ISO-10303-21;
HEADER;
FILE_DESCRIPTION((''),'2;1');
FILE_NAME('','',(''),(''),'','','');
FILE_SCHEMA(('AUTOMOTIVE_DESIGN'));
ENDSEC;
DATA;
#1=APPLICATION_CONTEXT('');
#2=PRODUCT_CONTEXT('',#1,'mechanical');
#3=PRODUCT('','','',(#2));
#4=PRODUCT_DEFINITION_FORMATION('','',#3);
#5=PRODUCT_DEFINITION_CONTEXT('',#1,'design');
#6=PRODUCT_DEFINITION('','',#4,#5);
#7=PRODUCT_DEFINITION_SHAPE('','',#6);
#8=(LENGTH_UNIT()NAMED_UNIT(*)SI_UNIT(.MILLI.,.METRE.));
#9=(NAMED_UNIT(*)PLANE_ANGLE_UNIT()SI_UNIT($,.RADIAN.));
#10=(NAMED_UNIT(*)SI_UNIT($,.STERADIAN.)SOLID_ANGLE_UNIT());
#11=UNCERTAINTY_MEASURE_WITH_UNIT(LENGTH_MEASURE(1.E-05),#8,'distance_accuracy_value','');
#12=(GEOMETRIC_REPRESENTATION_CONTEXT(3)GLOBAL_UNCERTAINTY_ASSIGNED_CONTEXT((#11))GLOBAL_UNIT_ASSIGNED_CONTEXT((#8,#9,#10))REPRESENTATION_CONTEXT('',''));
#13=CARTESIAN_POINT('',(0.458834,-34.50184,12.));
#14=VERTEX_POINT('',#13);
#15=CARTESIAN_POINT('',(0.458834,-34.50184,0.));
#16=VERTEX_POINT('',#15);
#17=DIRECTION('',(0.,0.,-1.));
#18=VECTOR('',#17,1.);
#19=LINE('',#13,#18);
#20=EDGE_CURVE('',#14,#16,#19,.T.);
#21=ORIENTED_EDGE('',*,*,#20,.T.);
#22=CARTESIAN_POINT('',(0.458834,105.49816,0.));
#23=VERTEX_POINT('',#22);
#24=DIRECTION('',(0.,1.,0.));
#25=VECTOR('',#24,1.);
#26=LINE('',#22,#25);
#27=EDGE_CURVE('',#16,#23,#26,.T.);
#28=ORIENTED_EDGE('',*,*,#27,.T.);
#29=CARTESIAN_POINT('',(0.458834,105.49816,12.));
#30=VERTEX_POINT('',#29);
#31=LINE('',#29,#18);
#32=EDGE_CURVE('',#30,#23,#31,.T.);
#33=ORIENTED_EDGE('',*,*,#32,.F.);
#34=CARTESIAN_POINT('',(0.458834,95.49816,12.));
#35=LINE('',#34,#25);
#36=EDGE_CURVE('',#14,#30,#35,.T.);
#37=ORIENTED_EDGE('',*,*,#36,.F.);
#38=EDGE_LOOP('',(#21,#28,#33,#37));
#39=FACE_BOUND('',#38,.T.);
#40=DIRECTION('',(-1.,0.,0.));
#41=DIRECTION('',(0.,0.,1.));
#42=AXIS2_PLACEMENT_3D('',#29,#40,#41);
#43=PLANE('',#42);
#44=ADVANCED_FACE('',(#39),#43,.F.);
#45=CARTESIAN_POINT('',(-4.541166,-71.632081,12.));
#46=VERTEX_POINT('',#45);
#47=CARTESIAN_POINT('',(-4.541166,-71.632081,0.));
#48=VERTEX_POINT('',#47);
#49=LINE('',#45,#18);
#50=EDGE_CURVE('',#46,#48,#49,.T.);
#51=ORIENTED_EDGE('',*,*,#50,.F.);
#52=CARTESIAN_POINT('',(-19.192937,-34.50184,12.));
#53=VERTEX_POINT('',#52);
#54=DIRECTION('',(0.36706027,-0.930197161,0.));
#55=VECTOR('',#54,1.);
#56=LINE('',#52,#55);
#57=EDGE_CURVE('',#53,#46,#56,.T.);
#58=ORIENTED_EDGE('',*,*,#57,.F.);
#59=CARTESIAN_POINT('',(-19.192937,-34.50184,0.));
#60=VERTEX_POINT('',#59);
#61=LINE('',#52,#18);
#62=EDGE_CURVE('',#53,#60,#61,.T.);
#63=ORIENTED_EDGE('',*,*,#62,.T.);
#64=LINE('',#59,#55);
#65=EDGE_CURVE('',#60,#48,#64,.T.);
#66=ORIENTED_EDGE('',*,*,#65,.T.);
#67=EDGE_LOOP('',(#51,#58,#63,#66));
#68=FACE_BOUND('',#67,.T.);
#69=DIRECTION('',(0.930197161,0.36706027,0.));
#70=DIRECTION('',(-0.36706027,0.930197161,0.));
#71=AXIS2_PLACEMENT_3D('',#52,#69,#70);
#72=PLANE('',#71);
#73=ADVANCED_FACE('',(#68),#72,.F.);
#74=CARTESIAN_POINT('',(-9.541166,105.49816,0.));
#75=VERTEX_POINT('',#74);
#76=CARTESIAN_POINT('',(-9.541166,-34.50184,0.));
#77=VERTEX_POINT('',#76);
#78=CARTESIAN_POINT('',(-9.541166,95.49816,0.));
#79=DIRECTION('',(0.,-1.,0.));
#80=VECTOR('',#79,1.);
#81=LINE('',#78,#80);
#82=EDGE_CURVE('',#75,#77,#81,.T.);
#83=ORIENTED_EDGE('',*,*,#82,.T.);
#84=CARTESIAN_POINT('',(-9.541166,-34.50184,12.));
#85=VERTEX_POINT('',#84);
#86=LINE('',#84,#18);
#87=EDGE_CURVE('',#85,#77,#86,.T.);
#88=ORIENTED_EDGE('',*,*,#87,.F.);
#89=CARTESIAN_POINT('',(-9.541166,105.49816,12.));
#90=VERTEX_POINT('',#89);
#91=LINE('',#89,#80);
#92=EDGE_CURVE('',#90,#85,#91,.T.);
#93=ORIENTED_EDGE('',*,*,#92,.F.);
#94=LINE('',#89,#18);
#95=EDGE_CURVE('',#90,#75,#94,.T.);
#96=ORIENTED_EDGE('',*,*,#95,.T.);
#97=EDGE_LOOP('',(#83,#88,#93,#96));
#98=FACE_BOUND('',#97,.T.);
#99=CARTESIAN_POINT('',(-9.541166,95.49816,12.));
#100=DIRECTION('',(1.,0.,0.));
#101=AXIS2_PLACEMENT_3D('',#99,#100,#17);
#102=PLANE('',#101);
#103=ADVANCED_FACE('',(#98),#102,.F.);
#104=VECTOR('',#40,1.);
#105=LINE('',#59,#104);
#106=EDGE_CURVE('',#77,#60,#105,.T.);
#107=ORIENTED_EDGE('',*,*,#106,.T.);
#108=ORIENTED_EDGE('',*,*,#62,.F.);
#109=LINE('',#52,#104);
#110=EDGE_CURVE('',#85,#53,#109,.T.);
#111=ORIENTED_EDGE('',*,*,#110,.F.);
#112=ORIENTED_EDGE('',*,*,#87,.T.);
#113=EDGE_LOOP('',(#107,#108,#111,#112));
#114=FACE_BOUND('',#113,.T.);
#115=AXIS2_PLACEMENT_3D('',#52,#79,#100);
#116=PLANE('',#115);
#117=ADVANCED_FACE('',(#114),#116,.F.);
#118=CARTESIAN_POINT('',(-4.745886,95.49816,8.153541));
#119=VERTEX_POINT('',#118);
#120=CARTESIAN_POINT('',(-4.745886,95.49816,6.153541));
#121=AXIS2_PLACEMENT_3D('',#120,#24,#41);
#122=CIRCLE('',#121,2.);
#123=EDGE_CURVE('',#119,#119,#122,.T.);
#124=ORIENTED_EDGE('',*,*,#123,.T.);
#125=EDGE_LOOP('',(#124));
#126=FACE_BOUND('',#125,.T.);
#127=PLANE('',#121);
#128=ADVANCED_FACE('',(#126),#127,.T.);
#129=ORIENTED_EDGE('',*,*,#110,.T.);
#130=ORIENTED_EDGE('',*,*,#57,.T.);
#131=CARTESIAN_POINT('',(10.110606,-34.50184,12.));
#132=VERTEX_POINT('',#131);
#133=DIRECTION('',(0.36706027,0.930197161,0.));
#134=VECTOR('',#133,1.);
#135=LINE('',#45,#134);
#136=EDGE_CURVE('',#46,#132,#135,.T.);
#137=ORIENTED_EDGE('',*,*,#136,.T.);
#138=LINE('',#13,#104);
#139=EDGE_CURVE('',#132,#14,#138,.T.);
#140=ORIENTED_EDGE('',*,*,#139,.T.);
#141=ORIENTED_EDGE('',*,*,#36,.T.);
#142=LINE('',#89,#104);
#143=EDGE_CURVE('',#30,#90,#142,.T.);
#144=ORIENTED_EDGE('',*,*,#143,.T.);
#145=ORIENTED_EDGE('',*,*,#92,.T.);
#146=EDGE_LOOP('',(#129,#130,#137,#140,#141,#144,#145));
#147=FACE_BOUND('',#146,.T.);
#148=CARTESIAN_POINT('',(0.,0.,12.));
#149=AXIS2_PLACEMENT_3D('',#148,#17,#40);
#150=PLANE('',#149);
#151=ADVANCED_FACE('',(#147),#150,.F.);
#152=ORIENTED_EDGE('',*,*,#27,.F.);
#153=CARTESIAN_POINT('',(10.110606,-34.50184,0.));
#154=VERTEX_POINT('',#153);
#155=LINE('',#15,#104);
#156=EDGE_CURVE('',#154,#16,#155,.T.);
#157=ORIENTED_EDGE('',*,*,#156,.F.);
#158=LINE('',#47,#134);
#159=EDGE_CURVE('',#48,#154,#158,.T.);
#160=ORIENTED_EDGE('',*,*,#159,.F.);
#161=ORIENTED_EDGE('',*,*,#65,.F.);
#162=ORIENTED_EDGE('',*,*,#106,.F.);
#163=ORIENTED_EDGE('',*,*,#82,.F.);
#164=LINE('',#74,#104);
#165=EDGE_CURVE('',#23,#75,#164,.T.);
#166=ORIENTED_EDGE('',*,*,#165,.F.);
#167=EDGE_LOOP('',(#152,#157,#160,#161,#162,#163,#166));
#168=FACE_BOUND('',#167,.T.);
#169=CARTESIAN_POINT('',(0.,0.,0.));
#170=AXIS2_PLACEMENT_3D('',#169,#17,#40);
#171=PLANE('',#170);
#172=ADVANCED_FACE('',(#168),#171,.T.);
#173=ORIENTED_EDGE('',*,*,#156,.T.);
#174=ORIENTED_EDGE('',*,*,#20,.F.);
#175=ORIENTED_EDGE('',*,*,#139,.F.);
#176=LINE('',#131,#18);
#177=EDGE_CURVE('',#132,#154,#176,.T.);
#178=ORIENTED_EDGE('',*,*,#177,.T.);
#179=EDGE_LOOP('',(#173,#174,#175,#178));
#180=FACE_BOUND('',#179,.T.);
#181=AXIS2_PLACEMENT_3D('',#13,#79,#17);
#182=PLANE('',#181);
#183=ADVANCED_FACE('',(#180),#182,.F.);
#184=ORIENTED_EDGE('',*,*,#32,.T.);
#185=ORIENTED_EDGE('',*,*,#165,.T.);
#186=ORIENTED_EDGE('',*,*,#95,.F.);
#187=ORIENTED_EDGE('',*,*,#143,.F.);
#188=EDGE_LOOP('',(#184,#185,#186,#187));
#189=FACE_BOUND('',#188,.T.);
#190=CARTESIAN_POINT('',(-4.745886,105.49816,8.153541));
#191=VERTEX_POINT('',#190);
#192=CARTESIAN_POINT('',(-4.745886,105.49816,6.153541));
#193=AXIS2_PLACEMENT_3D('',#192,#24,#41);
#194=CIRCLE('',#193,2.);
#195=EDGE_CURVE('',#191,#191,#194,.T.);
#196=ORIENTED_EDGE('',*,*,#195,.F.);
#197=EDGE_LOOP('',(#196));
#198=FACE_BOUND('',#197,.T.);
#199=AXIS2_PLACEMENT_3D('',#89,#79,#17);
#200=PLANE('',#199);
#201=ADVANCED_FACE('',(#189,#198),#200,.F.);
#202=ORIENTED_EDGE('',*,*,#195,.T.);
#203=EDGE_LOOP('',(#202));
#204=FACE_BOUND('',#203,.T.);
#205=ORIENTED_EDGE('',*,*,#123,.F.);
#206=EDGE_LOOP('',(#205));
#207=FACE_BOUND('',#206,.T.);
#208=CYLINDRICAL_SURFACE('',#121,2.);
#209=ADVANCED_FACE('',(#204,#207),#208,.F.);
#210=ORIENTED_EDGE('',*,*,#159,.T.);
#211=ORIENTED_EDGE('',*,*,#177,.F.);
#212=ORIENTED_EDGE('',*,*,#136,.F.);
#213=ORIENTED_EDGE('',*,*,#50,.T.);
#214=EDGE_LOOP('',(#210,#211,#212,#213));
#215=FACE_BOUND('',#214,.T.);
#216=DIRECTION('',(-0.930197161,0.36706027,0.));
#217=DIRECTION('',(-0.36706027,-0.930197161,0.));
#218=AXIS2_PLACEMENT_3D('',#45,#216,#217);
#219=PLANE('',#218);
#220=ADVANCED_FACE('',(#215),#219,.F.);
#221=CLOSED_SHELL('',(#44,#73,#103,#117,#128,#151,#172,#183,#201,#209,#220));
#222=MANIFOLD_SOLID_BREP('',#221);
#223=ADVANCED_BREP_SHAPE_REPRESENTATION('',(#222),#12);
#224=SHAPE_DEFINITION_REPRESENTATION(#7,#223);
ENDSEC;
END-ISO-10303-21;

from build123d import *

# Parameters (mm, degrees)
BOSS_EXTRUDE1_DEPTH = 12
SKETCH2_R           = 2
CUT_EXTRUDE1_DEPTH  = 10


with BuildPart() as part:
    # Sketch1 → Boss-Extrude1 (new body)
    with BuildSketch(Plane.XY):
        Polygon((-9.541165506, 105.498159978), (-9.541165506, 95.498159978), (-9.541165506, -34.501840022), (-19.192936941, -34.501840022), (-4.541165506, -71.632080767), (10.110605928, -34.501840022), (0.458834494, -34.501840022), (0.458834494, 95.498159978), (0.458834494, 105.498159978), align=None)
    extrude(amount=BOSS_EXTRUDE1_DEPTH)

    # Sketch2 → Cut-Extrude1 (cut)
    with BuildSketch(Plane(origin=(0, 105.498159978, 0), x_dir=(1, 0, 0), z_dir=(0, 1, 0))):
        with Locations((-4.745886353, -6.153540635)):
            Circle(SKETCH2_R)
    extrude(amount=-CUT_EXTRUDE1_DEPTH, mode=Mode.SUBTRACT)


solid = part.part
